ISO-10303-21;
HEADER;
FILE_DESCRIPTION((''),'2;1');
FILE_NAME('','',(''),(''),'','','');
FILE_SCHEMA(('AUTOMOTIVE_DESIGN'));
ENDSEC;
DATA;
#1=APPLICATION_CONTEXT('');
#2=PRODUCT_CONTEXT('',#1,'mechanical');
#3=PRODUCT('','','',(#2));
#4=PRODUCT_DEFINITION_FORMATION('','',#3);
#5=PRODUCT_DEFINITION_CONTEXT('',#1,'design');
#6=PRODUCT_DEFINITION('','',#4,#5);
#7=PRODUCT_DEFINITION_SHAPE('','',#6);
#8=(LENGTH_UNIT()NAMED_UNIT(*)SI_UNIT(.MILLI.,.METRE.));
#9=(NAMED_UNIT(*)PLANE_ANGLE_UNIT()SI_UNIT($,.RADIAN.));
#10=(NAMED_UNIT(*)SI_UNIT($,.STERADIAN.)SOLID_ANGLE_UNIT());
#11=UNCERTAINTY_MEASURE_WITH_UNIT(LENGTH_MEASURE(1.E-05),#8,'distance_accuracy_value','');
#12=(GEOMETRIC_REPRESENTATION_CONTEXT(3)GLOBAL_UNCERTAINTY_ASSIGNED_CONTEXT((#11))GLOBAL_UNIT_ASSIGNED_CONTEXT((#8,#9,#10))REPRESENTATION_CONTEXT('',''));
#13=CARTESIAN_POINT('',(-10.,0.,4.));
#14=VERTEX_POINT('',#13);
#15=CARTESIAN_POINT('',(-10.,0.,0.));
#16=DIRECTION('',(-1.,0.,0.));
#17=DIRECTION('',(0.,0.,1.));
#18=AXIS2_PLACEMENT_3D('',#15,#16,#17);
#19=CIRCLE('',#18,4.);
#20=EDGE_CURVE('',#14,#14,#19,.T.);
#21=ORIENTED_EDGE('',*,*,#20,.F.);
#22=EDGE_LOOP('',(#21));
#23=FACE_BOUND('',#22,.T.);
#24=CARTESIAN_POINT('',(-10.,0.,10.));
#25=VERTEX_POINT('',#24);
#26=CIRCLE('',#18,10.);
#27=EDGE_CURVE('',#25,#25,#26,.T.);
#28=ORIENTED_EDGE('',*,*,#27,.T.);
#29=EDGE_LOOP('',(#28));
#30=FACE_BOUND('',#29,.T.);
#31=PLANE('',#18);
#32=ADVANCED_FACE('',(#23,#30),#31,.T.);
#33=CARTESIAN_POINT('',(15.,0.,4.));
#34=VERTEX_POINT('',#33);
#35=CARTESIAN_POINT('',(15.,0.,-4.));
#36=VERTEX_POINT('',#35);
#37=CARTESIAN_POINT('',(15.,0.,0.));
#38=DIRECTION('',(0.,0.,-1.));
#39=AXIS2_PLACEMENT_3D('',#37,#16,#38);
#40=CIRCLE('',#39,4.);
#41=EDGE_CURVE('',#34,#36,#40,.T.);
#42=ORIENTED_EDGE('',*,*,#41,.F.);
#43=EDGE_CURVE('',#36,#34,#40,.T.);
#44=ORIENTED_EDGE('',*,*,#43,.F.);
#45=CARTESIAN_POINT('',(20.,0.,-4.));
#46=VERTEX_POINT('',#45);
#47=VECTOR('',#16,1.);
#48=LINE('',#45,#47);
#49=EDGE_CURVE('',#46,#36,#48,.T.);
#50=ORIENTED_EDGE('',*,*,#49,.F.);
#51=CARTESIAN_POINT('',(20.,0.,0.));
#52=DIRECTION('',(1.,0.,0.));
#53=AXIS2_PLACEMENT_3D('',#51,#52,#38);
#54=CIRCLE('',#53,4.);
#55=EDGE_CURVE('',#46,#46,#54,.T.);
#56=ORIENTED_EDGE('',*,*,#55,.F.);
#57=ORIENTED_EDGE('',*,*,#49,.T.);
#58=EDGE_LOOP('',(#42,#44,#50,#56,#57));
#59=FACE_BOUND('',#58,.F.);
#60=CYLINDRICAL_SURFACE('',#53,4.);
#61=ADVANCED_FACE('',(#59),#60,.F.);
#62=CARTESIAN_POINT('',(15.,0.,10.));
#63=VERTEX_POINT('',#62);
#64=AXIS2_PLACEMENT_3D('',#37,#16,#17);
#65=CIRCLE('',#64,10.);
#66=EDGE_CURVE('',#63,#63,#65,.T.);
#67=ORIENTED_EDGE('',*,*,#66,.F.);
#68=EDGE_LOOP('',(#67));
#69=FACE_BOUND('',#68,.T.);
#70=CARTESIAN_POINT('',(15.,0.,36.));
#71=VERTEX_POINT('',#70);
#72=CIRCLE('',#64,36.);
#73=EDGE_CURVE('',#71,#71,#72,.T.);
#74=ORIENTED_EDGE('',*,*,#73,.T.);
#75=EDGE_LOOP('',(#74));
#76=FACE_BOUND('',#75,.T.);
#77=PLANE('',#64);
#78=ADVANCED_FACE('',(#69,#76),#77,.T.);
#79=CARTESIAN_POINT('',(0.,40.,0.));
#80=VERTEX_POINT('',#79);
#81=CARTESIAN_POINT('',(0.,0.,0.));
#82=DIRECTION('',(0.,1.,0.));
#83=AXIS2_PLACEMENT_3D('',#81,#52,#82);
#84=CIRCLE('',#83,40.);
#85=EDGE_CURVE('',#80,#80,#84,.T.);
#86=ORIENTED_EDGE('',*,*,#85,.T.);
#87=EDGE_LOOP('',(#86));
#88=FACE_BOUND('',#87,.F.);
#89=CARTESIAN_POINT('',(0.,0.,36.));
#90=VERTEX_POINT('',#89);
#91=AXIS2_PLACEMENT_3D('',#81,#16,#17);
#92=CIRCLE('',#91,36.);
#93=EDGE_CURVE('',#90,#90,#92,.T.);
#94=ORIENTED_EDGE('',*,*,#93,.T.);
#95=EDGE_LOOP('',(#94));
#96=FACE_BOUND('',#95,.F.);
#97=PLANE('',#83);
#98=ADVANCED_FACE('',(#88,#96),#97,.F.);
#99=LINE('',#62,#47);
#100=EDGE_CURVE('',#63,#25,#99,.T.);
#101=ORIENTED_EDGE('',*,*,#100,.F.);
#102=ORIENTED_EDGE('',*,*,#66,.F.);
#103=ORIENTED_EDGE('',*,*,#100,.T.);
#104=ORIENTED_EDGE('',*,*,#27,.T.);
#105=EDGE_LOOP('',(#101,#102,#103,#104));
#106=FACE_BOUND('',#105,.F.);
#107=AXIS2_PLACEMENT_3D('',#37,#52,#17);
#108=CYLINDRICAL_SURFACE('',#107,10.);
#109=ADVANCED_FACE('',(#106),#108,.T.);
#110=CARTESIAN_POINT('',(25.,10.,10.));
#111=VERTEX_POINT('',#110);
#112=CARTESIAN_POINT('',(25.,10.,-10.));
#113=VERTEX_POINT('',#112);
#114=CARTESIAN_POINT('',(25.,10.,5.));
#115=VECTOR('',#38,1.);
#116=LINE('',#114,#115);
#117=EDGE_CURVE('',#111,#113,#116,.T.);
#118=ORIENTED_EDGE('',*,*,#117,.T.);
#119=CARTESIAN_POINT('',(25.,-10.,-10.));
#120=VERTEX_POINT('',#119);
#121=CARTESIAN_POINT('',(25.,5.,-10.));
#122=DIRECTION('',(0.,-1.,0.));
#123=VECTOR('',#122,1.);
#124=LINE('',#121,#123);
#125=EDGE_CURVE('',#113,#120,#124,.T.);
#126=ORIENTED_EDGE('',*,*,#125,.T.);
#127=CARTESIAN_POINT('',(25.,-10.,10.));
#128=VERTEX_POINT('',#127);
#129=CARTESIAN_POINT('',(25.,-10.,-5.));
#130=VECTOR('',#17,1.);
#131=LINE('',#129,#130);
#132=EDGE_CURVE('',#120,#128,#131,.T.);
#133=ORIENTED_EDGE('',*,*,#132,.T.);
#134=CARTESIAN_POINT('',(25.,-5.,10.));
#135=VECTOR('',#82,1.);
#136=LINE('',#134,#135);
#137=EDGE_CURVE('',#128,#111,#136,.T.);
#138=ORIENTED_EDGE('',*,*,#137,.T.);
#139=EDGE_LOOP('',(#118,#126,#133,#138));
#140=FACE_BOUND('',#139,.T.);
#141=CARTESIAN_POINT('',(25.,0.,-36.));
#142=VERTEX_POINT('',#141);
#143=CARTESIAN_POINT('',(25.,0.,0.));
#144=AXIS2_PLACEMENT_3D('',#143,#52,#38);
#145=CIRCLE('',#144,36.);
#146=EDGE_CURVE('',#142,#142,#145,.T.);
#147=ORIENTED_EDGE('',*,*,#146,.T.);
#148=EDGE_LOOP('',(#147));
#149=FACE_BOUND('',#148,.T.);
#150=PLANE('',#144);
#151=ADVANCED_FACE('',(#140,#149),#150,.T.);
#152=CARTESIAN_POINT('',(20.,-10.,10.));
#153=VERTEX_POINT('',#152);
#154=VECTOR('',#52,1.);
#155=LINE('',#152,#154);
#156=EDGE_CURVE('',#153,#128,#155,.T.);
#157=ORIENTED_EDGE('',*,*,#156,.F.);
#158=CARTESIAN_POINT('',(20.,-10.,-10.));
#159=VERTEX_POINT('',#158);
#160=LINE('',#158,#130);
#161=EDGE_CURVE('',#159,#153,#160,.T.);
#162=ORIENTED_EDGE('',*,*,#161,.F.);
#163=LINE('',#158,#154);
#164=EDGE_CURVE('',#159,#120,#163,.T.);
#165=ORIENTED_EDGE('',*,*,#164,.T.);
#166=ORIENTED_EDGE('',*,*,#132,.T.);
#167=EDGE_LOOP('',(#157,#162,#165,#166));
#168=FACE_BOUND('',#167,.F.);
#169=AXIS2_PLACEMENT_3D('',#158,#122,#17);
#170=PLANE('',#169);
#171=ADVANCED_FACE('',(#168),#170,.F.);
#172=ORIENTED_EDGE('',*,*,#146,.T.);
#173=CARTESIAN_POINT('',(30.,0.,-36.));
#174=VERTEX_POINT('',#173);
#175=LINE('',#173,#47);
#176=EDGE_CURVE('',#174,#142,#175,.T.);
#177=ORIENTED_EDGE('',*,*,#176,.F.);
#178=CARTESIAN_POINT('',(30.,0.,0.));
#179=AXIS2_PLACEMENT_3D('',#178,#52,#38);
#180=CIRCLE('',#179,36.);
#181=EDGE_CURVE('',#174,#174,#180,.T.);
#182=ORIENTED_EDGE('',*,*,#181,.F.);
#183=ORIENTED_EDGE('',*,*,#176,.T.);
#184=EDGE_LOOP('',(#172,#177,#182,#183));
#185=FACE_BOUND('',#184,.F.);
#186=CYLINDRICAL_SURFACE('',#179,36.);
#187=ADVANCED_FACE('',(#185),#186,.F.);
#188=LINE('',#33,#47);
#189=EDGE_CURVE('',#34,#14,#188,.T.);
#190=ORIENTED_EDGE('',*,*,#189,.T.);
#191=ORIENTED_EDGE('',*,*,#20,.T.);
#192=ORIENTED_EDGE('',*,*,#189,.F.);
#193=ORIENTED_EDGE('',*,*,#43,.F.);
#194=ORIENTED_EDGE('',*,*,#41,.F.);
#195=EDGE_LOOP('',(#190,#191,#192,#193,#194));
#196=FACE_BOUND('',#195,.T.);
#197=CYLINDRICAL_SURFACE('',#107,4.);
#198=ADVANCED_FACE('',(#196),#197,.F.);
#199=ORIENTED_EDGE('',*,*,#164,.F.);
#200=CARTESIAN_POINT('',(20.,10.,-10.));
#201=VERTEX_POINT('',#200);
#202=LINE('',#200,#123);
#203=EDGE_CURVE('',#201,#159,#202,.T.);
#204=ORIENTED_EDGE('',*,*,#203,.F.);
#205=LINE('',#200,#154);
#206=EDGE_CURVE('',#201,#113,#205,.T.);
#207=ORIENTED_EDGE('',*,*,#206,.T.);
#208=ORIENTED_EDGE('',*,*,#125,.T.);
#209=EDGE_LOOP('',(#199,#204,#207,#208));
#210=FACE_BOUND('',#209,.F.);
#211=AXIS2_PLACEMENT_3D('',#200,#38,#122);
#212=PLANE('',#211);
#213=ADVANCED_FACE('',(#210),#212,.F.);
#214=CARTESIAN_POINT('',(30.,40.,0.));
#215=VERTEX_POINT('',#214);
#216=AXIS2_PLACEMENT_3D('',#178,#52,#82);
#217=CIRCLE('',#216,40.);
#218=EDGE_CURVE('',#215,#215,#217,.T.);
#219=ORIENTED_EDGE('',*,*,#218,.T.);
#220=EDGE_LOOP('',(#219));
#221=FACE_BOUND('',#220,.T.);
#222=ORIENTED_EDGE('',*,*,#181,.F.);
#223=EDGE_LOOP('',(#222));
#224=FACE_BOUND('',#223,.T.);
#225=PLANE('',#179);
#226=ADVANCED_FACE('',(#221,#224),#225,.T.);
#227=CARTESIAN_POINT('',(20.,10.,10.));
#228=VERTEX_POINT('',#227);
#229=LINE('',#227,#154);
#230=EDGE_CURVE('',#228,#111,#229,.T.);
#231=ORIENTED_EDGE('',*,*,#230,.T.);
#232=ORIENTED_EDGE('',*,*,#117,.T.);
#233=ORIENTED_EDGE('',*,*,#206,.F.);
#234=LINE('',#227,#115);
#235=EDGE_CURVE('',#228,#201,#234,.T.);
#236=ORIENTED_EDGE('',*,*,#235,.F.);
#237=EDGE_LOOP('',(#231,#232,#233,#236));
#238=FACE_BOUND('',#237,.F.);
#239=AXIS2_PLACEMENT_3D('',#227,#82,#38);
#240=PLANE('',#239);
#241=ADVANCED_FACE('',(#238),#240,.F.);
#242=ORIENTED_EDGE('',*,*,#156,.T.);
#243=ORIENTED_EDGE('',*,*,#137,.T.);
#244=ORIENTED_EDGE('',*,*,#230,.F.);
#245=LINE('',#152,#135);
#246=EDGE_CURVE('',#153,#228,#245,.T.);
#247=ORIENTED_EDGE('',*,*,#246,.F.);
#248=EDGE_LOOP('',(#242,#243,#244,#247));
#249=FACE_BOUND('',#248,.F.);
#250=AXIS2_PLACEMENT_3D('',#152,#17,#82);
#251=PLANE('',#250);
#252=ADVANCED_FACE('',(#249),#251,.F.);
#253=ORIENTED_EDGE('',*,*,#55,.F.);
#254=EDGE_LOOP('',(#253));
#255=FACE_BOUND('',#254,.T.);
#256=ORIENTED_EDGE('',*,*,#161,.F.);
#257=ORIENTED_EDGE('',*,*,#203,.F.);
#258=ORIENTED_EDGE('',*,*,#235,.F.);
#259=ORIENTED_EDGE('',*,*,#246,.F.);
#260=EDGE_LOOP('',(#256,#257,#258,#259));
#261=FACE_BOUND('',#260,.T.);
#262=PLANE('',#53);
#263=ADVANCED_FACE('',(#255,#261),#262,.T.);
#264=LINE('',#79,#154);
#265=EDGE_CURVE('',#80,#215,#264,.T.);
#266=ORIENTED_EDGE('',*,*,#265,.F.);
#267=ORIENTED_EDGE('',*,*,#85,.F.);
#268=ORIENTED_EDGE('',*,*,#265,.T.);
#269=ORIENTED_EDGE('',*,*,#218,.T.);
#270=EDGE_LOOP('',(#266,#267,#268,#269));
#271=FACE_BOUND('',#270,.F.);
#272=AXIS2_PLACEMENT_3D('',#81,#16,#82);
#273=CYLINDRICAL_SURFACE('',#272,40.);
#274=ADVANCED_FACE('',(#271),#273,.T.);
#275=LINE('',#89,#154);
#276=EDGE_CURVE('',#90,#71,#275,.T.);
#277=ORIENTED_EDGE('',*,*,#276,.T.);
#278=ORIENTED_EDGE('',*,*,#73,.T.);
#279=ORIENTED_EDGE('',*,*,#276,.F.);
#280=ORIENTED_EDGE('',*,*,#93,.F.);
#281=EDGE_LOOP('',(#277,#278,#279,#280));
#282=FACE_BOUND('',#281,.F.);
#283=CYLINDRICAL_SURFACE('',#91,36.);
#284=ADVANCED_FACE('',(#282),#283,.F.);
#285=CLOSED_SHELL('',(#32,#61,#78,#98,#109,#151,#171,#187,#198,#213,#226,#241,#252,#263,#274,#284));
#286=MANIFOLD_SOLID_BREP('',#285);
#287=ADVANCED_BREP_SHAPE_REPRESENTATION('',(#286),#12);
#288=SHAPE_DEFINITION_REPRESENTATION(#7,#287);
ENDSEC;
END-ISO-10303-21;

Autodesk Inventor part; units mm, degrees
sketch "Sketch3" plane through (0, 0, 0) normal (1, 0, 0) x (0, 1, 0)
  circle A0 centre (0, 0) radius 40
  circle A1 centre (0, 0) radius 5
  dimension "d2" = 80
  dimension "d3" = 10
extrude "Extrusion1" add sketch "Sketch3" along normal blind 30 contours A0 | A1
sketch "Sketch4" plane through (30, 0, 0) normal (1, 0, 0) x (0, 0, -1)
  circle A0 centre (0, 0) radius 5 construction
  circle A1 centre (0, 0) radius 36
  circle A2 centre (0, 0) radius 40 projected
  dimension "d6" = 4
ref_plane "Work Plane1" through (15, 0, 0) normal (-1, 0, 0) x (0, 0, 1)
extrude "Extrusion2" cut sketch "Sketch4" against normal blind 10 contours A1
sketch "Sketch5" plane through (20, 0, 0) normal (1, 0, 0) x (0, 0, -1)
  circle A0 centre (0, 0) radius 4
  circle A1 centre (0, 0) radius 36 construction
  dimension "d12" = 8
extrude "Extrusion3" cut sketch "Sketch5" against normal up to next
sketch "Sketch6" plane through (20, 0, 0) normal (1, 0, 0) x (0, 0, -1)
  circle A0 centre (0, 0) radius 4 projected
  circle A1 centre (0, 0) radius 36 projected
  line L0 (-10, 10) -> (10, 10)
  line L1 (10, 10) -> (10, -10)
  line L2 (10, -10) -> (-10, -10)
  line L3 (-10, -10) -> (-10, 10)
  line L4 (-10, 10) -> (10, -10) construction
  line L5 (10, 10) -> (-10, -10) construction
  dimension "d13" = 20
extrude "Extrusion4" add sketch "Sketch6" along normal up to surface (10 mm away) contours A1
ref_plane "Work Plane2" through (15, 0, 0) normal (1, 0, 0) x (0, 0, -1)
sketch "Sketch7" plane through (30, 0, 0) normal (1, 0, 0) x (0, 0, -1)
  circle A0 centre (0, 0) radius 36 projected
extrude "Extrusion5" cut sketch "Sketch7" against normal blind 5
sketch "Sketch8" plane through (0, 0, 0) normal (-1, 0, 0) x (0, 0, 1)
  circle A0 centre (0, 0) radius 36 projected
  circle A1 centre (0, 0) radius 4 projected
extrude "Extrusion6" cut sketch "Sketch8" against normal blind 15
sketch "Sketch9" plane through (15, 0, 0) normal (-1, 0, 0) x (0, 0, 1)
  circle A0 centre (0, 0) radius 4 projected
  circle A1 centre (0, 0) radius 10
  dimension "d21" = 20
extrude "Extrusion7" add sketch "Sketch9" along normal blind 25
sketch "Sketch10" plane through (15, 0, 0) normal (-1, 0, 0) x (0, 0, 1)
  line L0 (0, 0) -> (28.2843, 28.2843)
  line L1 (0, 0) -> (-28.2843, 28.2843)
  circle A0 centre (0, 0) radius 40 projected
  circle A1 centre (0, 0) radius 4 construction
  line L2 (0, 0) -> (0, 40) construction
  dimension "d24" = 90
ref_plane "Work Plane3" through (0, 40, 0) normal (0, 1, 0) x (-1, 0, 0)
properties part number "wheel" material "Aluminum 6061"
